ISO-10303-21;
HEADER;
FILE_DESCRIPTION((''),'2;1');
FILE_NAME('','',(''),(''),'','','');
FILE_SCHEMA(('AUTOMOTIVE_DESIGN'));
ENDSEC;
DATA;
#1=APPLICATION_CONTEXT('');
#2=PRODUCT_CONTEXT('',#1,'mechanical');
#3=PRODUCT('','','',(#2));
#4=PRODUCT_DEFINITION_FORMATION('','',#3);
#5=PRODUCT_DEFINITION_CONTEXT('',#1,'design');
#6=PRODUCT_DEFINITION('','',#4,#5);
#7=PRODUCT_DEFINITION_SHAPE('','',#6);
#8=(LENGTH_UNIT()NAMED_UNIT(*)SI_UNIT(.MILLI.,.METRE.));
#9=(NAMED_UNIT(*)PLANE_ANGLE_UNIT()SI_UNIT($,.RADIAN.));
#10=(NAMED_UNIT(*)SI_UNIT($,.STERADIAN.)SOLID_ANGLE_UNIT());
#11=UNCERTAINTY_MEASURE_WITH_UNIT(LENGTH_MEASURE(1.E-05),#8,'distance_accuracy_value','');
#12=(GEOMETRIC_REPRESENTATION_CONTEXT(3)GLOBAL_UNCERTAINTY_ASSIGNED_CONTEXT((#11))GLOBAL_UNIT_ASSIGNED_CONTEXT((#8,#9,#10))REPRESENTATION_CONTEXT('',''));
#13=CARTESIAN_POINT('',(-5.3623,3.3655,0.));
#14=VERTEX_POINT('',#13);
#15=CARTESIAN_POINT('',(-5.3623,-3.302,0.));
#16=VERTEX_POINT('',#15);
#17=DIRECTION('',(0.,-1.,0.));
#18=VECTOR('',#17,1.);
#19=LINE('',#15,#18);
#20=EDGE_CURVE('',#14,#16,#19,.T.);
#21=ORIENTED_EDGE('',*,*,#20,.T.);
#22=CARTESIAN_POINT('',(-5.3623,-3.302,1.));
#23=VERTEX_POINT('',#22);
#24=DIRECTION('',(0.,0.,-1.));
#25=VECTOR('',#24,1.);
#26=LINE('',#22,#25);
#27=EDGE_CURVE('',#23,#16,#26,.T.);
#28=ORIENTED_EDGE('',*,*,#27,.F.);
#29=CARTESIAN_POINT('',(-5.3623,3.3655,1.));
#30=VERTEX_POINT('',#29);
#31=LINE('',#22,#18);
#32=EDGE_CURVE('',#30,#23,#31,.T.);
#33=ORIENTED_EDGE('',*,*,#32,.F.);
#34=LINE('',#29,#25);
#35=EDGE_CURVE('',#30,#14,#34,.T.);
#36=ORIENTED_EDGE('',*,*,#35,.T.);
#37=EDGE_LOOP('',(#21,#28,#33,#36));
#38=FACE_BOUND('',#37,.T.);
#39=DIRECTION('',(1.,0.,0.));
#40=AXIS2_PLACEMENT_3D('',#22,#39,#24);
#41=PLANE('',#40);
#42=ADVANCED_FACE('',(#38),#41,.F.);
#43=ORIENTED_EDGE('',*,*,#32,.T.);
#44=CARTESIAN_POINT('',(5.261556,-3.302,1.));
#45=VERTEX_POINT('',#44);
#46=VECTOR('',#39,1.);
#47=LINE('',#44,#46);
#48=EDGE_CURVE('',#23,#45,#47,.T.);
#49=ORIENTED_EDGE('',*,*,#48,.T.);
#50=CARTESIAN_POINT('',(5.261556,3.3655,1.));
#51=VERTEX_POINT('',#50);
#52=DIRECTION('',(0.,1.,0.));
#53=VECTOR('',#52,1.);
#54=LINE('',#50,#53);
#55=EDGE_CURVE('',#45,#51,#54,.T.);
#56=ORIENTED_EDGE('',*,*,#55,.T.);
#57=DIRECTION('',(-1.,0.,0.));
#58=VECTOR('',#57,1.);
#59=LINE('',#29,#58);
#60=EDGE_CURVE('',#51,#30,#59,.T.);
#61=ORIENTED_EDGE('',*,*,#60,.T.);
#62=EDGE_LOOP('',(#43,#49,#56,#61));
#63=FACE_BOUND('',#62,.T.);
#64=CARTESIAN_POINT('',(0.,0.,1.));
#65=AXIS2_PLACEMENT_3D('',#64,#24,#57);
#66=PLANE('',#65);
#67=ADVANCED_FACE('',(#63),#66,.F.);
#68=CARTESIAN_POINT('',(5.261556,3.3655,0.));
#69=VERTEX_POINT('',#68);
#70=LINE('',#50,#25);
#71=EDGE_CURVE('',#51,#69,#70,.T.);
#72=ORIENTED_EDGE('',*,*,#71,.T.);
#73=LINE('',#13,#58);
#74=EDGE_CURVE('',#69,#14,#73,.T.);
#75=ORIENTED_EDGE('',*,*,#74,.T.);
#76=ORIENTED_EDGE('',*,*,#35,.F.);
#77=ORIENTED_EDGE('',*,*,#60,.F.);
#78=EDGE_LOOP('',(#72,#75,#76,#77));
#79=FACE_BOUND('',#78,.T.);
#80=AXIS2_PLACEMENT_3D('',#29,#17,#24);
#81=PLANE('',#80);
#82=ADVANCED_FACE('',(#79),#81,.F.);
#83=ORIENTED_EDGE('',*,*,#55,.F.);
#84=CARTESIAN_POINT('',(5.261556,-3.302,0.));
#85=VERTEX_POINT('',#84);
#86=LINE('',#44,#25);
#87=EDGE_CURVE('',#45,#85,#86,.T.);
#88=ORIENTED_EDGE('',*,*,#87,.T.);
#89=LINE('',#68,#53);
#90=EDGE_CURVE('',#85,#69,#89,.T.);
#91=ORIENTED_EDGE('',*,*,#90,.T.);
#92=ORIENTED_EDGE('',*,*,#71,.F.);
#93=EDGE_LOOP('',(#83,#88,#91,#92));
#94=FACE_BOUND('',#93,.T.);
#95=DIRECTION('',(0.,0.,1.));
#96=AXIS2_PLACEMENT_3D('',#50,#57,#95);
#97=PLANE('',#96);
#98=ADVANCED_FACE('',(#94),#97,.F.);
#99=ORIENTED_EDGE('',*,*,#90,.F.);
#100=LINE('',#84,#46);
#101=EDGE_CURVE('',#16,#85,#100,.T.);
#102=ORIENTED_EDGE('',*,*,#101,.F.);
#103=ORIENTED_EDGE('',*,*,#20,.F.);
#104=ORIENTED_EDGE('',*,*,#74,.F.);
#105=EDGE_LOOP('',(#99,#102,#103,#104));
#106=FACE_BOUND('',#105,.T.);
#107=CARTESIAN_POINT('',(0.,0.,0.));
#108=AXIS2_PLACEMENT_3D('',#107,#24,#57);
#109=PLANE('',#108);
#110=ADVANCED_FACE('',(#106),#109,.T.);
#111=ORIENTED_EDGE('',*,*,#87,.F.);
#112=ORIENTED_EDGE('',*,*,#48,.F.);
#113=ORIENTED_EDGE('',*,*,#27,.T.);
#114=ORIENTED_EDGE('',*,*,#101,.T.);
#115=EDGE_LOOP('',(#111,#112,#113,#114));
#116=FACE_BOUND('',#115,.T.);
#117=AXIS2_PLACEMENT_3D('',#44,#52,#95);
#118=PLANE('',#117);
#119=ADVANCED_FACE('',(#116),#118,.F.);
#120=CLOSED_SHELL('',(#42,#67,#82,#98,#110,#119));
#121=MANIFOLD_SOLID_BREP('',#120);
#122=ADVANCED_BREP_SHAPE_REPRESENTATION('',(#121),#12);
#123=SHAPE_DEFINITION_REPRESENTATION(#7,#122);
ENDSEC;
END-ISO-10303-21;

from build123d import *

# Parameters (mm, degrees)
ESQUISSE1_W             = 10.623856
ESQUISSE1_H             = 6.6675
COMPONENT_OUTLINE_DEPTH = 1


with BuildPart() as part:
    # Esquisse1 → Component_Outline (new body)
    with BuildSketch(Plane.XY):
        with Locations((-0.050372, 0.03175)):
            Rectangle(ESQUISSE1_W, ESQUISSE1_H)
    extrude(amount=COMPONENT_OUTLINE_DEPTH)


solid = part.part
